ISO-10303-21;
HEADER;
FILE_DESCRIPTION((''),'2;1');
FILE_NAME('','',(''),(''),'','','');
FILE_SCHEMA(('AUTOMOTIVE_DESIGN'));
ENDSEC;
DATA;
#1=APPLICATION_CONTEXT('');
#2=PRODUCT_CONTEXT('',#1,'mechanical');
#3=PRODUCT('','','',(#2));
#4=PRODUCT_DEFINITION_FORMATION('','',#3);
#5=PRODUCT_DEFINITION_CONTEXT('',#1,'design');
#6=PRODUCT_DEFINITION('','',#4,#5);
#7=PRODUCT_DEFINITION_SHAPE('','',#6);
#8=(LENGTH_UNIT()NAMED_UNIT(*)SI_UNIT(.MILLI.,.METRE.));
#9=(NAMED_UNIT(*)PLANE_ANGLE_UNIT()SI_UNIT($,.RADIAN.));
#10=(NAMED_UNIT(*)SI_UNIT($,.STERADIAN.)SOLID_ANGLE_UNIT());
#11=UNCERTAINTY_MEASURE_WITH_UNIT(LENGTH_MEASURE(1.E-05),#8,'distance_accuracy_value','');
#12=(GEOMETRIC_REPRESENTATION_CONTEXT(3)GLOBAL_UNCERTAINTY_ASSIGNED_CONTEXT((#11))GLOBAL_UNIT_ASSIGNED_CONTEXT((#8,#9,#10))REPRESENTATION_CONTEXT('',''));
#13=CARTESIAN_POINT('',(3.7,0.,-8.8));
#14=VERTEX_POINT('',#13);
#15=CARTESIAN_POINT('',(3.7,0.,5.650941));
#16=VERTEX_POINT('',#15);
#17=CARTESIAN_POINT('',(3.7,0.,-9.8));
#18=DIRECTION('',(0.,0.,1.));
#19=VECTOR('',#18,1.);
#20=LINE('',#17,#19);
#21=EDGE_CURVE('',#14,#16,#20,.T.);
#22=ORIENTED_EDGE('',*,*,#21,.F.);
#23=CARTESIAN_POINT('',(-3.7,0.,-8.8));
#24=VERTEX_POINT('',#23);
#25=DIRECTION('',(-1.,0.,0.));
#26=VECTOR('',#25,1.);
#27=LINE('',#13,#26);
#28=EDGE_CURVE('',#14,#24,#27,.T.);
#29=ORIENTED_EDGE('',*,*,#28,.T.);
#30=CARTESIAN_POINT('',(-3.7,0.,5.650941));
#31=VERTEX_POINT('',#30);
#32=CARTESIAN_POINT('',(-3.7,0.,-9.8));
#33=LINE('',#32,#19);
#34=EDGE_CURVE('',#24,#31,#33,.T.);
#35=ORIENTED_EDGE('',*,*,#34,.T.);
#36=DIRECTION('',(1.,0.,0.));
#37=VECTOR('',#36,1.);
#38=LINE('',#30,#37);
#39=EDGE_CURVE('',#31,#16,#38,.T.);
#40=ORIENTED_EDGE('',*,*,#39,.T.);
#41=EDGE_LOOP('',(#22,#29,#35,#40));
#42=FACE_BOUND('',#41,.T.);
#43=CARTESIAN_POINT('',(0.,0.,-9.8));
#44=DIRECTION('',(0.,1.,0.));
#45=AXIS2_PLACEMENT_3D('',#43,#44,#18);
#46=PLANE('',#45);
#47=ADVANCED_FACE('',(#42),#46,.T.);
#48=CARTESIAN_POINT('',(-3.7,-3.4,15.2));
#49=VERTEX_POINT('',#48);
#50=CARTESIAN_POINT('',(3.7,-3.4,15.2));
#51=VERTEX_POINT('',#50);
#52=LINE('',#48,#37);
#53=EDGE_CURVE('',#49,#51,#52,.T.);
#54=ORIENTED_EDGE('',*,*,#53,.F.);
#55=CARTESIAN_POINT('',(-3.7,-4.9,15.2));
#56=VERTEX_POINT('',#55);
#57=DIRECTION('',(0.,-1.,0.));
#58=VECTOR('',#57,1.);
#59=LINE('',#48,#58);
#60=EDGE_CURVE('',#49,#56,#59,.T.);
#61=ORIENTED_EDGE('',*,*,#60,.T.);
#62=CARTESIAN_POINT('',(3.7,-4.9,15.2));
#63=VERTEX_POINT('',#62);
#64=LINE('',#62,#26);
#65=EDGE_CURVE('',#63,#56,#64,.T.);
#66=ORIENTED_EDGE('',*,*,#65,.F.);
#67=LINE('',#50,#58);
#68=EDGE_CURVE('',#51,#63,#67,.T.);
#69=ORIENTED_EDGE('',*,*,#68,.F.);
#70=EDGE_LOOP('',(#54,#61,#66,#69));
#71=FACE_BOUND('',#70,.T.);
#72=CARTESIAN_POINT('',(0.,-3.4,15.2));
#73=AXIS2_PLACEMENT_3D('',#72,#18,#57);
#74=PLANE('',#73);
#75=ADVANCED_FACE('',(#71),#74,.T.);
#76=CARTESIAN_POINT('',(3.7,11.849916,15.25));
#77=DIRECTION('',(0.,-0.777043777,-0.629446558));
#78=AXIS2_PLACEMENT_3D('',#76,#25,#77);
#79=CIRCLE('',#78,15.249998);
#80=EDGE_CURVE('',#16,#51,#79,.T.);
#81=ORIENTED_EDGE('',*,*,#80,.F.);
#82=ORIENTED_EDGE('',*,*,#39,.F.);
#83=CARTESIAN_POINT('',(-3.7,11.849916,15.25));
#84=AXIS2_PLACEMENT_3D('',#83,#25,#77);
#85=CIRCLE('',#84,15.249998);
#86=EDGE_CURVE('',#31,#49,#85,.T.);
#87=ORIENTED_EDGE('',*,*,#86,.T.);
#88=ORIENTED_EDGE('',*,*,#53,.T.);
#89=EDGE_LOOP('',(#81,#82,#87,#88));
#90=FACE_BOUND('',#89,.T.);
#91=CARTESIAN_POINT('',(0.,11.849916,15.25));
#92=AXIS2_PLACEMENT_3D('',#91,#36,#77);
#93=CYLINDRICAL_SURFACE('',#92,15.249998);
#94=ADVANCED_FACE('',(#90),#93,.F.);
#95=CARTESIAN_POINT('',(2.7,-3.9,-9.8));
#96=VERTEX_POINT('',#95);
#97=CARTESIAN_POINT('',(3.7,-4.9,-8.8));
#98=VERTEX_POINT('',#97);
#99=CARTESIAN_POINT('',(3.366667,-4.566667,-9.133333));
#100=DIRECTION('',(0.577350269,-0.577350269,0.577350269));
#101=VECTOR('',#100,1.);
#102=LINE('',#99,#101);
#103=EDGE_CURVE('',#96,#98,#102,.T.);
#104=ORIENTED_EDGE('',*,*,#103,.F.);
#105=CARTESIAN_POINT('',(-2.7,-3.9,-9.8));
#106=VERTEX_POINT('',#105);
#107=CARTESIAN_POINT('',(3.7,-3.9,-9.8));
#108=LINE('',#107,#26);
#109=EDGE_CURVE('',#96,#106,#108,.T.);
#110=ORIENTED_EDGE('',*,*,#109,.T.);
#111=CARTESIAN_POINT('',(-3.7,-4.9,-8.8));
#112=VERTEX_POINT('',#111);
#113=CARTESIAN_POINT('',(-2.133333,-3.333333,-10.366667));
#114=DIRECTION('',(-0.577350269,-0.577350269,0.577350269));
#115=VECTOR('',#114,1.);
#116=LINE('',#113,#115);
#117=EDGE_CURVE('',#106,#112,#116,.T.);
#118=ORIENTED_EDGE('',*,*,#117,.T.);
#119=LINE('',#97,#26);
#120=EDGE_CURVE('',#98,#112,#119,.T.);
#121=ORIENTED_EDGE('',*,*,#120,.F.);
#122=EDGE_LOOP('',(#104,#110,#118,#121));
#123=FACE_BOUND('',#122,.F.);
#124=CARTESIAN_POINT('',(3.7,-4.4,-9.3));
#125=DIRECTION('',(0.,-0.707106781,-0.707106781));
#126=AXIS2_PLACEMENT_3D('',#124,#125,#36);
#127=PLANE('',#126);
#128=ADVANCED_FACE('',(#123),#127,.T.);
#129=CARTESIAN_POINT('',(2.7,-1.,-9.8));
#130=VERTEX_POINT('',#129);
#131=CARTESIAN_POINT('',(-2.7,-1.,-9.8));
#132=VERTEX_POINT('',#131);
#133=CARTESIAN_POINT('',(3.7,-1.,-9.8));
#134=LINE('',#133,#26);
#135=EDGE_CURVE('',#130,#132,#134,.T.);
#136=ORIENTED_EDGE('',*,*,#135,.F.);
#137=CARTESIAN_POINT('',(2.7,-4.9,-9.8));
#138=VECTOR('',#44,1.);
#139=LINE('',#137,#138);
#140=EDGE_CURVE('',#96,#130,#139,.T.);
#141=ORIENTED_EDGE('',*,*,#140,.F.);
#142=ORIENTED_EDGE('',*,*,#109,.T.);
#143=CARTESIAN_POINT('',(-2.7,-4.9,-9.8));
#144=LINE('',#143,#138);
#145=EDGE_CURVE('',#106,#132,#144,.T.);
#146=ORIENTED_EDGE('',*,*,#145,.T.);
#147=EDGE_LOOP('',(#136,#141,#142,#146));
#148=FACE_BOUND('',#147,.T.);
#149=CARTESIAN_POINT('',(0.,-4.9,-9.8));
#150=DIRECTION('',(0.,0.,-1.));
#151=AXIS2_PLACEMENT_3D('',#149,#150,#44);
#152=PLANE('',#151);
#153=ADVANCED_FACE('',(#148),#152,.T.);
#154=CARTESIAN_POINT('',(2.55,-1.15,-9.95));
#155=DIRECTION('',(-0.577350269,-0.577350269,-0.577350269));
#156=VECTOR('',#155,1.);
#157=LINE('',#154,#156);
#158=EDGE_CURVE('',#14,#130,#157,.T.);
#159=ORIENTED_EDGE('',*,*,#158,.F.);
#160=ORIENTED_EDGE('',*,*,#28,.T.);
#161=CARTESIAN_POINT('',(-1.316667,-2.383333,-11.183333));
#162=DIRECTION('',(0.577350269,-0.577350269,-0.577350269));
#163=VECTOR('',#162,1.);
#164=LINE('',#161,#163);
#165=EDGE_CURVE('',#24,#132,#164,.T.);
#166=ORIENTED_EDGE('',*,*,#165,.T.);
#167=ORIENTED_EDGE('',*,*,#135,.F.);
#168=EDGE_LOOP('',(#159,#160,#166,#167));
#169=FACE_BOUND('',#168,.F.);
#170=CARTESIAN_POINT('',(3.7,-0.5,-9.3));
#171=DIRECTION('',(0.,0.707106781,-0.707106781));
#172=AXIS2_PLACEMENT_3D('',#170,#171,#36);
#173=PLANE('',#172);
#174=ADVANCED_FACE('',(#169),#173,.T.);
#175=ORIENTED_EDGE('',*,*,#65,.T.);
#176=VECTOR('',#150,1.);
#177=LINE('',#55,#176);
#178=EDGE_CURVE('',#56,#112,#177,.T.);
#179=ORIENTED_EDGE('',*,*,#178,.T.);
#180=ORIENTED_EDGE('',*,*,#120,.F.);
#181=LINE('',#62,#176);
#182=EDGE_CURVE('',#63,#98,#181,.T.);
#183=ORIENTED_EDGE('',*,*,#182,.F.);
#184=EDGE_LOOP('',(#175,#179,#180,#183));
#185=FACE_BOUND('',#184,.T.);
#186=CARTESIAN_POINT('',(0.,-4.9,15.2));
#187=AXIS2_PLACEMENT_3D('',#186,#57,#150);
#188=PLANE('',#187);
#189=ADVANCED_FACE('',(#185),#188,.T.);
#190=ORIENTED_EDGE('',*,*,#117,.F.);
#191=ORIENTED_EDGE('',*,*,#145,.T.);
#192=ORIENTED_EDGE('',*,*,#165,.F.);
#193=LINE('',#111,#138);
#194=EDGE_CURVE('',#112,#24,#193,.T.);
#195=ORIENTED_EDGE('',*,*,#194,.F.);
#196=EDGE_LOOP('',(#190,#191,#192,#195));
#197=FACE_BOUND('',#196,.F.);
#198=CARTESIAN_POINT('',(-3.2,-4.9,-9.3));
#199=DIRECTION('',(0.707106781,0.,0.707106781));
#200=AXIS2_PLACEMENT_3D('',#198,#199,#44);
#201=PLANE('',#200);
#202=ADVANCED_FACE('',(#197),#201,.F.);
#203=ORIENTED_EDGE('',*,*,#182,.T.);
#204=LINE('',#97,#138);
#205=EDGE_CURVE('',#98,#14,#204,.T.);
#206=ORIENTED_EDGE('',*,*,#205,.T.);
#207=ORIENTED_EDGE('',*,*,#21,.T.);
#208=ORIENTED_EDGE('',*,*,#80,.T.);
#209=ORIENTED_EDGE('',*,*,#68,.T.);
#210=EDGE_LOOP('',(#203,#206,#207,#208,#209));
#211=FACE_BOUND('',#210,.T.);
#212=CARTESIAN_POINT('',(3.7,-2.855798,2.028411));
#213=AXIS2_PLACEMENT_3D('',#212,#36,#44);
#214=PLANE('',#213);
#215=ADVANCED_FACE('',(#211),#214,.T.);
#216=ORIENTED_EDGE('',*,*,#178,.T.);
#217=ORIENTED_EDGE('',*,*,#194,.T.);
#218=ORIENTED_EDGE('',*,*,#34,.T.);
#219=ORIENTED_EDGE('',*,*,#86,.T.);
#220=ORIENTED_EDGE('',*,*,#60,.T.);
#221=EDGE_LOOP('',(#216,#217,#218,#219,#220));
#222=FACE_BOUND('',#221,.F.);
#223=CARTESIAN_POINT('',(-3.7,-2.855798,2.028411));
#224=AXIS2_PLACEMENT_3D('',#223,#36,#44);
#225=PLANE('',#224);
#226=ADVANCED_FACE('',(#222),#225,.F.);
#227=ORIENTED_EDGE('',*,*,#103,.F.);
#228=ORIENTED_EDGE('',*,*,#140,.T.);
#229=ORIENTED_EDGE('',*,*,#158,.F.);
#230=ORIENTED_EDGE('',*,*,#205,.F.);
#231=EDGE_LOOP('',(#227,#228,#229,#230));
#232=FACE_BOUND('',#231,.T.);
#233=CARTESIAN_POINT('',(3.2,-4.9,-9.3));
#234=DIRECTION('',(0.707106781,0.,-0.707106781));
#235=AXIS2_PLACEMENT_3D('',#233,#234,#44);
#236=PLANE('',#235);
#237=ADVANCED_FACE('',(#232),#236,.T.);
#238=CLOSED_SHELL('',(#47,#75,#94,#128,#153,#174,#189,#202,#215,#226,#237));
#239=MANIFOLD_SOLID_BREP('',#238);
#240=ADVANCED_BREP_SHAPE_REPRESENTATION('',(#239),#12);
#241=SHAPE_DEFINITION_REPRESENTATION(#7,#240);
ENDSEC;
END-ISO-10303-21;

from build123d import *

# Parameters (mm, degrees)
F1_DEPTH = 3.7
F2_SIZE  = 1


with BuildPart() as f1:
    # F0 (on Right) → F1 (new body, symmetric)
    with BuildSketch(Plane.YZ):
        with BuildLine():
            Line((0, -9.8), (0, 0))
            Line((0, 0), (0, 5.650941))
            ThreePointArc((0, 5.650941), (-2.516585, 10.13472), (-3.4, 15.2))
            Line((-3.4, 15.2), (-4.9, 15.2))
            Line((-4.9, 15.2), (-4.9, -9.8))
            Line((-4.9, -9.8), (0, -9.8))
        make_face()
    extrude(amount=F1_DEPTH, both=True)

    # F2
    f2_edges = [f1.edges().sort_by_distance(p)[0] for p in [
        (0, -4.9, -9.8),
        (0, 0, -9.8),
        (3.7, -2.45, -9.8),
        (-3.7, -2.45, -9.8),
    ]]
    chamfer(f2_edges, length=F2_SIZE)


solid = f1.part
